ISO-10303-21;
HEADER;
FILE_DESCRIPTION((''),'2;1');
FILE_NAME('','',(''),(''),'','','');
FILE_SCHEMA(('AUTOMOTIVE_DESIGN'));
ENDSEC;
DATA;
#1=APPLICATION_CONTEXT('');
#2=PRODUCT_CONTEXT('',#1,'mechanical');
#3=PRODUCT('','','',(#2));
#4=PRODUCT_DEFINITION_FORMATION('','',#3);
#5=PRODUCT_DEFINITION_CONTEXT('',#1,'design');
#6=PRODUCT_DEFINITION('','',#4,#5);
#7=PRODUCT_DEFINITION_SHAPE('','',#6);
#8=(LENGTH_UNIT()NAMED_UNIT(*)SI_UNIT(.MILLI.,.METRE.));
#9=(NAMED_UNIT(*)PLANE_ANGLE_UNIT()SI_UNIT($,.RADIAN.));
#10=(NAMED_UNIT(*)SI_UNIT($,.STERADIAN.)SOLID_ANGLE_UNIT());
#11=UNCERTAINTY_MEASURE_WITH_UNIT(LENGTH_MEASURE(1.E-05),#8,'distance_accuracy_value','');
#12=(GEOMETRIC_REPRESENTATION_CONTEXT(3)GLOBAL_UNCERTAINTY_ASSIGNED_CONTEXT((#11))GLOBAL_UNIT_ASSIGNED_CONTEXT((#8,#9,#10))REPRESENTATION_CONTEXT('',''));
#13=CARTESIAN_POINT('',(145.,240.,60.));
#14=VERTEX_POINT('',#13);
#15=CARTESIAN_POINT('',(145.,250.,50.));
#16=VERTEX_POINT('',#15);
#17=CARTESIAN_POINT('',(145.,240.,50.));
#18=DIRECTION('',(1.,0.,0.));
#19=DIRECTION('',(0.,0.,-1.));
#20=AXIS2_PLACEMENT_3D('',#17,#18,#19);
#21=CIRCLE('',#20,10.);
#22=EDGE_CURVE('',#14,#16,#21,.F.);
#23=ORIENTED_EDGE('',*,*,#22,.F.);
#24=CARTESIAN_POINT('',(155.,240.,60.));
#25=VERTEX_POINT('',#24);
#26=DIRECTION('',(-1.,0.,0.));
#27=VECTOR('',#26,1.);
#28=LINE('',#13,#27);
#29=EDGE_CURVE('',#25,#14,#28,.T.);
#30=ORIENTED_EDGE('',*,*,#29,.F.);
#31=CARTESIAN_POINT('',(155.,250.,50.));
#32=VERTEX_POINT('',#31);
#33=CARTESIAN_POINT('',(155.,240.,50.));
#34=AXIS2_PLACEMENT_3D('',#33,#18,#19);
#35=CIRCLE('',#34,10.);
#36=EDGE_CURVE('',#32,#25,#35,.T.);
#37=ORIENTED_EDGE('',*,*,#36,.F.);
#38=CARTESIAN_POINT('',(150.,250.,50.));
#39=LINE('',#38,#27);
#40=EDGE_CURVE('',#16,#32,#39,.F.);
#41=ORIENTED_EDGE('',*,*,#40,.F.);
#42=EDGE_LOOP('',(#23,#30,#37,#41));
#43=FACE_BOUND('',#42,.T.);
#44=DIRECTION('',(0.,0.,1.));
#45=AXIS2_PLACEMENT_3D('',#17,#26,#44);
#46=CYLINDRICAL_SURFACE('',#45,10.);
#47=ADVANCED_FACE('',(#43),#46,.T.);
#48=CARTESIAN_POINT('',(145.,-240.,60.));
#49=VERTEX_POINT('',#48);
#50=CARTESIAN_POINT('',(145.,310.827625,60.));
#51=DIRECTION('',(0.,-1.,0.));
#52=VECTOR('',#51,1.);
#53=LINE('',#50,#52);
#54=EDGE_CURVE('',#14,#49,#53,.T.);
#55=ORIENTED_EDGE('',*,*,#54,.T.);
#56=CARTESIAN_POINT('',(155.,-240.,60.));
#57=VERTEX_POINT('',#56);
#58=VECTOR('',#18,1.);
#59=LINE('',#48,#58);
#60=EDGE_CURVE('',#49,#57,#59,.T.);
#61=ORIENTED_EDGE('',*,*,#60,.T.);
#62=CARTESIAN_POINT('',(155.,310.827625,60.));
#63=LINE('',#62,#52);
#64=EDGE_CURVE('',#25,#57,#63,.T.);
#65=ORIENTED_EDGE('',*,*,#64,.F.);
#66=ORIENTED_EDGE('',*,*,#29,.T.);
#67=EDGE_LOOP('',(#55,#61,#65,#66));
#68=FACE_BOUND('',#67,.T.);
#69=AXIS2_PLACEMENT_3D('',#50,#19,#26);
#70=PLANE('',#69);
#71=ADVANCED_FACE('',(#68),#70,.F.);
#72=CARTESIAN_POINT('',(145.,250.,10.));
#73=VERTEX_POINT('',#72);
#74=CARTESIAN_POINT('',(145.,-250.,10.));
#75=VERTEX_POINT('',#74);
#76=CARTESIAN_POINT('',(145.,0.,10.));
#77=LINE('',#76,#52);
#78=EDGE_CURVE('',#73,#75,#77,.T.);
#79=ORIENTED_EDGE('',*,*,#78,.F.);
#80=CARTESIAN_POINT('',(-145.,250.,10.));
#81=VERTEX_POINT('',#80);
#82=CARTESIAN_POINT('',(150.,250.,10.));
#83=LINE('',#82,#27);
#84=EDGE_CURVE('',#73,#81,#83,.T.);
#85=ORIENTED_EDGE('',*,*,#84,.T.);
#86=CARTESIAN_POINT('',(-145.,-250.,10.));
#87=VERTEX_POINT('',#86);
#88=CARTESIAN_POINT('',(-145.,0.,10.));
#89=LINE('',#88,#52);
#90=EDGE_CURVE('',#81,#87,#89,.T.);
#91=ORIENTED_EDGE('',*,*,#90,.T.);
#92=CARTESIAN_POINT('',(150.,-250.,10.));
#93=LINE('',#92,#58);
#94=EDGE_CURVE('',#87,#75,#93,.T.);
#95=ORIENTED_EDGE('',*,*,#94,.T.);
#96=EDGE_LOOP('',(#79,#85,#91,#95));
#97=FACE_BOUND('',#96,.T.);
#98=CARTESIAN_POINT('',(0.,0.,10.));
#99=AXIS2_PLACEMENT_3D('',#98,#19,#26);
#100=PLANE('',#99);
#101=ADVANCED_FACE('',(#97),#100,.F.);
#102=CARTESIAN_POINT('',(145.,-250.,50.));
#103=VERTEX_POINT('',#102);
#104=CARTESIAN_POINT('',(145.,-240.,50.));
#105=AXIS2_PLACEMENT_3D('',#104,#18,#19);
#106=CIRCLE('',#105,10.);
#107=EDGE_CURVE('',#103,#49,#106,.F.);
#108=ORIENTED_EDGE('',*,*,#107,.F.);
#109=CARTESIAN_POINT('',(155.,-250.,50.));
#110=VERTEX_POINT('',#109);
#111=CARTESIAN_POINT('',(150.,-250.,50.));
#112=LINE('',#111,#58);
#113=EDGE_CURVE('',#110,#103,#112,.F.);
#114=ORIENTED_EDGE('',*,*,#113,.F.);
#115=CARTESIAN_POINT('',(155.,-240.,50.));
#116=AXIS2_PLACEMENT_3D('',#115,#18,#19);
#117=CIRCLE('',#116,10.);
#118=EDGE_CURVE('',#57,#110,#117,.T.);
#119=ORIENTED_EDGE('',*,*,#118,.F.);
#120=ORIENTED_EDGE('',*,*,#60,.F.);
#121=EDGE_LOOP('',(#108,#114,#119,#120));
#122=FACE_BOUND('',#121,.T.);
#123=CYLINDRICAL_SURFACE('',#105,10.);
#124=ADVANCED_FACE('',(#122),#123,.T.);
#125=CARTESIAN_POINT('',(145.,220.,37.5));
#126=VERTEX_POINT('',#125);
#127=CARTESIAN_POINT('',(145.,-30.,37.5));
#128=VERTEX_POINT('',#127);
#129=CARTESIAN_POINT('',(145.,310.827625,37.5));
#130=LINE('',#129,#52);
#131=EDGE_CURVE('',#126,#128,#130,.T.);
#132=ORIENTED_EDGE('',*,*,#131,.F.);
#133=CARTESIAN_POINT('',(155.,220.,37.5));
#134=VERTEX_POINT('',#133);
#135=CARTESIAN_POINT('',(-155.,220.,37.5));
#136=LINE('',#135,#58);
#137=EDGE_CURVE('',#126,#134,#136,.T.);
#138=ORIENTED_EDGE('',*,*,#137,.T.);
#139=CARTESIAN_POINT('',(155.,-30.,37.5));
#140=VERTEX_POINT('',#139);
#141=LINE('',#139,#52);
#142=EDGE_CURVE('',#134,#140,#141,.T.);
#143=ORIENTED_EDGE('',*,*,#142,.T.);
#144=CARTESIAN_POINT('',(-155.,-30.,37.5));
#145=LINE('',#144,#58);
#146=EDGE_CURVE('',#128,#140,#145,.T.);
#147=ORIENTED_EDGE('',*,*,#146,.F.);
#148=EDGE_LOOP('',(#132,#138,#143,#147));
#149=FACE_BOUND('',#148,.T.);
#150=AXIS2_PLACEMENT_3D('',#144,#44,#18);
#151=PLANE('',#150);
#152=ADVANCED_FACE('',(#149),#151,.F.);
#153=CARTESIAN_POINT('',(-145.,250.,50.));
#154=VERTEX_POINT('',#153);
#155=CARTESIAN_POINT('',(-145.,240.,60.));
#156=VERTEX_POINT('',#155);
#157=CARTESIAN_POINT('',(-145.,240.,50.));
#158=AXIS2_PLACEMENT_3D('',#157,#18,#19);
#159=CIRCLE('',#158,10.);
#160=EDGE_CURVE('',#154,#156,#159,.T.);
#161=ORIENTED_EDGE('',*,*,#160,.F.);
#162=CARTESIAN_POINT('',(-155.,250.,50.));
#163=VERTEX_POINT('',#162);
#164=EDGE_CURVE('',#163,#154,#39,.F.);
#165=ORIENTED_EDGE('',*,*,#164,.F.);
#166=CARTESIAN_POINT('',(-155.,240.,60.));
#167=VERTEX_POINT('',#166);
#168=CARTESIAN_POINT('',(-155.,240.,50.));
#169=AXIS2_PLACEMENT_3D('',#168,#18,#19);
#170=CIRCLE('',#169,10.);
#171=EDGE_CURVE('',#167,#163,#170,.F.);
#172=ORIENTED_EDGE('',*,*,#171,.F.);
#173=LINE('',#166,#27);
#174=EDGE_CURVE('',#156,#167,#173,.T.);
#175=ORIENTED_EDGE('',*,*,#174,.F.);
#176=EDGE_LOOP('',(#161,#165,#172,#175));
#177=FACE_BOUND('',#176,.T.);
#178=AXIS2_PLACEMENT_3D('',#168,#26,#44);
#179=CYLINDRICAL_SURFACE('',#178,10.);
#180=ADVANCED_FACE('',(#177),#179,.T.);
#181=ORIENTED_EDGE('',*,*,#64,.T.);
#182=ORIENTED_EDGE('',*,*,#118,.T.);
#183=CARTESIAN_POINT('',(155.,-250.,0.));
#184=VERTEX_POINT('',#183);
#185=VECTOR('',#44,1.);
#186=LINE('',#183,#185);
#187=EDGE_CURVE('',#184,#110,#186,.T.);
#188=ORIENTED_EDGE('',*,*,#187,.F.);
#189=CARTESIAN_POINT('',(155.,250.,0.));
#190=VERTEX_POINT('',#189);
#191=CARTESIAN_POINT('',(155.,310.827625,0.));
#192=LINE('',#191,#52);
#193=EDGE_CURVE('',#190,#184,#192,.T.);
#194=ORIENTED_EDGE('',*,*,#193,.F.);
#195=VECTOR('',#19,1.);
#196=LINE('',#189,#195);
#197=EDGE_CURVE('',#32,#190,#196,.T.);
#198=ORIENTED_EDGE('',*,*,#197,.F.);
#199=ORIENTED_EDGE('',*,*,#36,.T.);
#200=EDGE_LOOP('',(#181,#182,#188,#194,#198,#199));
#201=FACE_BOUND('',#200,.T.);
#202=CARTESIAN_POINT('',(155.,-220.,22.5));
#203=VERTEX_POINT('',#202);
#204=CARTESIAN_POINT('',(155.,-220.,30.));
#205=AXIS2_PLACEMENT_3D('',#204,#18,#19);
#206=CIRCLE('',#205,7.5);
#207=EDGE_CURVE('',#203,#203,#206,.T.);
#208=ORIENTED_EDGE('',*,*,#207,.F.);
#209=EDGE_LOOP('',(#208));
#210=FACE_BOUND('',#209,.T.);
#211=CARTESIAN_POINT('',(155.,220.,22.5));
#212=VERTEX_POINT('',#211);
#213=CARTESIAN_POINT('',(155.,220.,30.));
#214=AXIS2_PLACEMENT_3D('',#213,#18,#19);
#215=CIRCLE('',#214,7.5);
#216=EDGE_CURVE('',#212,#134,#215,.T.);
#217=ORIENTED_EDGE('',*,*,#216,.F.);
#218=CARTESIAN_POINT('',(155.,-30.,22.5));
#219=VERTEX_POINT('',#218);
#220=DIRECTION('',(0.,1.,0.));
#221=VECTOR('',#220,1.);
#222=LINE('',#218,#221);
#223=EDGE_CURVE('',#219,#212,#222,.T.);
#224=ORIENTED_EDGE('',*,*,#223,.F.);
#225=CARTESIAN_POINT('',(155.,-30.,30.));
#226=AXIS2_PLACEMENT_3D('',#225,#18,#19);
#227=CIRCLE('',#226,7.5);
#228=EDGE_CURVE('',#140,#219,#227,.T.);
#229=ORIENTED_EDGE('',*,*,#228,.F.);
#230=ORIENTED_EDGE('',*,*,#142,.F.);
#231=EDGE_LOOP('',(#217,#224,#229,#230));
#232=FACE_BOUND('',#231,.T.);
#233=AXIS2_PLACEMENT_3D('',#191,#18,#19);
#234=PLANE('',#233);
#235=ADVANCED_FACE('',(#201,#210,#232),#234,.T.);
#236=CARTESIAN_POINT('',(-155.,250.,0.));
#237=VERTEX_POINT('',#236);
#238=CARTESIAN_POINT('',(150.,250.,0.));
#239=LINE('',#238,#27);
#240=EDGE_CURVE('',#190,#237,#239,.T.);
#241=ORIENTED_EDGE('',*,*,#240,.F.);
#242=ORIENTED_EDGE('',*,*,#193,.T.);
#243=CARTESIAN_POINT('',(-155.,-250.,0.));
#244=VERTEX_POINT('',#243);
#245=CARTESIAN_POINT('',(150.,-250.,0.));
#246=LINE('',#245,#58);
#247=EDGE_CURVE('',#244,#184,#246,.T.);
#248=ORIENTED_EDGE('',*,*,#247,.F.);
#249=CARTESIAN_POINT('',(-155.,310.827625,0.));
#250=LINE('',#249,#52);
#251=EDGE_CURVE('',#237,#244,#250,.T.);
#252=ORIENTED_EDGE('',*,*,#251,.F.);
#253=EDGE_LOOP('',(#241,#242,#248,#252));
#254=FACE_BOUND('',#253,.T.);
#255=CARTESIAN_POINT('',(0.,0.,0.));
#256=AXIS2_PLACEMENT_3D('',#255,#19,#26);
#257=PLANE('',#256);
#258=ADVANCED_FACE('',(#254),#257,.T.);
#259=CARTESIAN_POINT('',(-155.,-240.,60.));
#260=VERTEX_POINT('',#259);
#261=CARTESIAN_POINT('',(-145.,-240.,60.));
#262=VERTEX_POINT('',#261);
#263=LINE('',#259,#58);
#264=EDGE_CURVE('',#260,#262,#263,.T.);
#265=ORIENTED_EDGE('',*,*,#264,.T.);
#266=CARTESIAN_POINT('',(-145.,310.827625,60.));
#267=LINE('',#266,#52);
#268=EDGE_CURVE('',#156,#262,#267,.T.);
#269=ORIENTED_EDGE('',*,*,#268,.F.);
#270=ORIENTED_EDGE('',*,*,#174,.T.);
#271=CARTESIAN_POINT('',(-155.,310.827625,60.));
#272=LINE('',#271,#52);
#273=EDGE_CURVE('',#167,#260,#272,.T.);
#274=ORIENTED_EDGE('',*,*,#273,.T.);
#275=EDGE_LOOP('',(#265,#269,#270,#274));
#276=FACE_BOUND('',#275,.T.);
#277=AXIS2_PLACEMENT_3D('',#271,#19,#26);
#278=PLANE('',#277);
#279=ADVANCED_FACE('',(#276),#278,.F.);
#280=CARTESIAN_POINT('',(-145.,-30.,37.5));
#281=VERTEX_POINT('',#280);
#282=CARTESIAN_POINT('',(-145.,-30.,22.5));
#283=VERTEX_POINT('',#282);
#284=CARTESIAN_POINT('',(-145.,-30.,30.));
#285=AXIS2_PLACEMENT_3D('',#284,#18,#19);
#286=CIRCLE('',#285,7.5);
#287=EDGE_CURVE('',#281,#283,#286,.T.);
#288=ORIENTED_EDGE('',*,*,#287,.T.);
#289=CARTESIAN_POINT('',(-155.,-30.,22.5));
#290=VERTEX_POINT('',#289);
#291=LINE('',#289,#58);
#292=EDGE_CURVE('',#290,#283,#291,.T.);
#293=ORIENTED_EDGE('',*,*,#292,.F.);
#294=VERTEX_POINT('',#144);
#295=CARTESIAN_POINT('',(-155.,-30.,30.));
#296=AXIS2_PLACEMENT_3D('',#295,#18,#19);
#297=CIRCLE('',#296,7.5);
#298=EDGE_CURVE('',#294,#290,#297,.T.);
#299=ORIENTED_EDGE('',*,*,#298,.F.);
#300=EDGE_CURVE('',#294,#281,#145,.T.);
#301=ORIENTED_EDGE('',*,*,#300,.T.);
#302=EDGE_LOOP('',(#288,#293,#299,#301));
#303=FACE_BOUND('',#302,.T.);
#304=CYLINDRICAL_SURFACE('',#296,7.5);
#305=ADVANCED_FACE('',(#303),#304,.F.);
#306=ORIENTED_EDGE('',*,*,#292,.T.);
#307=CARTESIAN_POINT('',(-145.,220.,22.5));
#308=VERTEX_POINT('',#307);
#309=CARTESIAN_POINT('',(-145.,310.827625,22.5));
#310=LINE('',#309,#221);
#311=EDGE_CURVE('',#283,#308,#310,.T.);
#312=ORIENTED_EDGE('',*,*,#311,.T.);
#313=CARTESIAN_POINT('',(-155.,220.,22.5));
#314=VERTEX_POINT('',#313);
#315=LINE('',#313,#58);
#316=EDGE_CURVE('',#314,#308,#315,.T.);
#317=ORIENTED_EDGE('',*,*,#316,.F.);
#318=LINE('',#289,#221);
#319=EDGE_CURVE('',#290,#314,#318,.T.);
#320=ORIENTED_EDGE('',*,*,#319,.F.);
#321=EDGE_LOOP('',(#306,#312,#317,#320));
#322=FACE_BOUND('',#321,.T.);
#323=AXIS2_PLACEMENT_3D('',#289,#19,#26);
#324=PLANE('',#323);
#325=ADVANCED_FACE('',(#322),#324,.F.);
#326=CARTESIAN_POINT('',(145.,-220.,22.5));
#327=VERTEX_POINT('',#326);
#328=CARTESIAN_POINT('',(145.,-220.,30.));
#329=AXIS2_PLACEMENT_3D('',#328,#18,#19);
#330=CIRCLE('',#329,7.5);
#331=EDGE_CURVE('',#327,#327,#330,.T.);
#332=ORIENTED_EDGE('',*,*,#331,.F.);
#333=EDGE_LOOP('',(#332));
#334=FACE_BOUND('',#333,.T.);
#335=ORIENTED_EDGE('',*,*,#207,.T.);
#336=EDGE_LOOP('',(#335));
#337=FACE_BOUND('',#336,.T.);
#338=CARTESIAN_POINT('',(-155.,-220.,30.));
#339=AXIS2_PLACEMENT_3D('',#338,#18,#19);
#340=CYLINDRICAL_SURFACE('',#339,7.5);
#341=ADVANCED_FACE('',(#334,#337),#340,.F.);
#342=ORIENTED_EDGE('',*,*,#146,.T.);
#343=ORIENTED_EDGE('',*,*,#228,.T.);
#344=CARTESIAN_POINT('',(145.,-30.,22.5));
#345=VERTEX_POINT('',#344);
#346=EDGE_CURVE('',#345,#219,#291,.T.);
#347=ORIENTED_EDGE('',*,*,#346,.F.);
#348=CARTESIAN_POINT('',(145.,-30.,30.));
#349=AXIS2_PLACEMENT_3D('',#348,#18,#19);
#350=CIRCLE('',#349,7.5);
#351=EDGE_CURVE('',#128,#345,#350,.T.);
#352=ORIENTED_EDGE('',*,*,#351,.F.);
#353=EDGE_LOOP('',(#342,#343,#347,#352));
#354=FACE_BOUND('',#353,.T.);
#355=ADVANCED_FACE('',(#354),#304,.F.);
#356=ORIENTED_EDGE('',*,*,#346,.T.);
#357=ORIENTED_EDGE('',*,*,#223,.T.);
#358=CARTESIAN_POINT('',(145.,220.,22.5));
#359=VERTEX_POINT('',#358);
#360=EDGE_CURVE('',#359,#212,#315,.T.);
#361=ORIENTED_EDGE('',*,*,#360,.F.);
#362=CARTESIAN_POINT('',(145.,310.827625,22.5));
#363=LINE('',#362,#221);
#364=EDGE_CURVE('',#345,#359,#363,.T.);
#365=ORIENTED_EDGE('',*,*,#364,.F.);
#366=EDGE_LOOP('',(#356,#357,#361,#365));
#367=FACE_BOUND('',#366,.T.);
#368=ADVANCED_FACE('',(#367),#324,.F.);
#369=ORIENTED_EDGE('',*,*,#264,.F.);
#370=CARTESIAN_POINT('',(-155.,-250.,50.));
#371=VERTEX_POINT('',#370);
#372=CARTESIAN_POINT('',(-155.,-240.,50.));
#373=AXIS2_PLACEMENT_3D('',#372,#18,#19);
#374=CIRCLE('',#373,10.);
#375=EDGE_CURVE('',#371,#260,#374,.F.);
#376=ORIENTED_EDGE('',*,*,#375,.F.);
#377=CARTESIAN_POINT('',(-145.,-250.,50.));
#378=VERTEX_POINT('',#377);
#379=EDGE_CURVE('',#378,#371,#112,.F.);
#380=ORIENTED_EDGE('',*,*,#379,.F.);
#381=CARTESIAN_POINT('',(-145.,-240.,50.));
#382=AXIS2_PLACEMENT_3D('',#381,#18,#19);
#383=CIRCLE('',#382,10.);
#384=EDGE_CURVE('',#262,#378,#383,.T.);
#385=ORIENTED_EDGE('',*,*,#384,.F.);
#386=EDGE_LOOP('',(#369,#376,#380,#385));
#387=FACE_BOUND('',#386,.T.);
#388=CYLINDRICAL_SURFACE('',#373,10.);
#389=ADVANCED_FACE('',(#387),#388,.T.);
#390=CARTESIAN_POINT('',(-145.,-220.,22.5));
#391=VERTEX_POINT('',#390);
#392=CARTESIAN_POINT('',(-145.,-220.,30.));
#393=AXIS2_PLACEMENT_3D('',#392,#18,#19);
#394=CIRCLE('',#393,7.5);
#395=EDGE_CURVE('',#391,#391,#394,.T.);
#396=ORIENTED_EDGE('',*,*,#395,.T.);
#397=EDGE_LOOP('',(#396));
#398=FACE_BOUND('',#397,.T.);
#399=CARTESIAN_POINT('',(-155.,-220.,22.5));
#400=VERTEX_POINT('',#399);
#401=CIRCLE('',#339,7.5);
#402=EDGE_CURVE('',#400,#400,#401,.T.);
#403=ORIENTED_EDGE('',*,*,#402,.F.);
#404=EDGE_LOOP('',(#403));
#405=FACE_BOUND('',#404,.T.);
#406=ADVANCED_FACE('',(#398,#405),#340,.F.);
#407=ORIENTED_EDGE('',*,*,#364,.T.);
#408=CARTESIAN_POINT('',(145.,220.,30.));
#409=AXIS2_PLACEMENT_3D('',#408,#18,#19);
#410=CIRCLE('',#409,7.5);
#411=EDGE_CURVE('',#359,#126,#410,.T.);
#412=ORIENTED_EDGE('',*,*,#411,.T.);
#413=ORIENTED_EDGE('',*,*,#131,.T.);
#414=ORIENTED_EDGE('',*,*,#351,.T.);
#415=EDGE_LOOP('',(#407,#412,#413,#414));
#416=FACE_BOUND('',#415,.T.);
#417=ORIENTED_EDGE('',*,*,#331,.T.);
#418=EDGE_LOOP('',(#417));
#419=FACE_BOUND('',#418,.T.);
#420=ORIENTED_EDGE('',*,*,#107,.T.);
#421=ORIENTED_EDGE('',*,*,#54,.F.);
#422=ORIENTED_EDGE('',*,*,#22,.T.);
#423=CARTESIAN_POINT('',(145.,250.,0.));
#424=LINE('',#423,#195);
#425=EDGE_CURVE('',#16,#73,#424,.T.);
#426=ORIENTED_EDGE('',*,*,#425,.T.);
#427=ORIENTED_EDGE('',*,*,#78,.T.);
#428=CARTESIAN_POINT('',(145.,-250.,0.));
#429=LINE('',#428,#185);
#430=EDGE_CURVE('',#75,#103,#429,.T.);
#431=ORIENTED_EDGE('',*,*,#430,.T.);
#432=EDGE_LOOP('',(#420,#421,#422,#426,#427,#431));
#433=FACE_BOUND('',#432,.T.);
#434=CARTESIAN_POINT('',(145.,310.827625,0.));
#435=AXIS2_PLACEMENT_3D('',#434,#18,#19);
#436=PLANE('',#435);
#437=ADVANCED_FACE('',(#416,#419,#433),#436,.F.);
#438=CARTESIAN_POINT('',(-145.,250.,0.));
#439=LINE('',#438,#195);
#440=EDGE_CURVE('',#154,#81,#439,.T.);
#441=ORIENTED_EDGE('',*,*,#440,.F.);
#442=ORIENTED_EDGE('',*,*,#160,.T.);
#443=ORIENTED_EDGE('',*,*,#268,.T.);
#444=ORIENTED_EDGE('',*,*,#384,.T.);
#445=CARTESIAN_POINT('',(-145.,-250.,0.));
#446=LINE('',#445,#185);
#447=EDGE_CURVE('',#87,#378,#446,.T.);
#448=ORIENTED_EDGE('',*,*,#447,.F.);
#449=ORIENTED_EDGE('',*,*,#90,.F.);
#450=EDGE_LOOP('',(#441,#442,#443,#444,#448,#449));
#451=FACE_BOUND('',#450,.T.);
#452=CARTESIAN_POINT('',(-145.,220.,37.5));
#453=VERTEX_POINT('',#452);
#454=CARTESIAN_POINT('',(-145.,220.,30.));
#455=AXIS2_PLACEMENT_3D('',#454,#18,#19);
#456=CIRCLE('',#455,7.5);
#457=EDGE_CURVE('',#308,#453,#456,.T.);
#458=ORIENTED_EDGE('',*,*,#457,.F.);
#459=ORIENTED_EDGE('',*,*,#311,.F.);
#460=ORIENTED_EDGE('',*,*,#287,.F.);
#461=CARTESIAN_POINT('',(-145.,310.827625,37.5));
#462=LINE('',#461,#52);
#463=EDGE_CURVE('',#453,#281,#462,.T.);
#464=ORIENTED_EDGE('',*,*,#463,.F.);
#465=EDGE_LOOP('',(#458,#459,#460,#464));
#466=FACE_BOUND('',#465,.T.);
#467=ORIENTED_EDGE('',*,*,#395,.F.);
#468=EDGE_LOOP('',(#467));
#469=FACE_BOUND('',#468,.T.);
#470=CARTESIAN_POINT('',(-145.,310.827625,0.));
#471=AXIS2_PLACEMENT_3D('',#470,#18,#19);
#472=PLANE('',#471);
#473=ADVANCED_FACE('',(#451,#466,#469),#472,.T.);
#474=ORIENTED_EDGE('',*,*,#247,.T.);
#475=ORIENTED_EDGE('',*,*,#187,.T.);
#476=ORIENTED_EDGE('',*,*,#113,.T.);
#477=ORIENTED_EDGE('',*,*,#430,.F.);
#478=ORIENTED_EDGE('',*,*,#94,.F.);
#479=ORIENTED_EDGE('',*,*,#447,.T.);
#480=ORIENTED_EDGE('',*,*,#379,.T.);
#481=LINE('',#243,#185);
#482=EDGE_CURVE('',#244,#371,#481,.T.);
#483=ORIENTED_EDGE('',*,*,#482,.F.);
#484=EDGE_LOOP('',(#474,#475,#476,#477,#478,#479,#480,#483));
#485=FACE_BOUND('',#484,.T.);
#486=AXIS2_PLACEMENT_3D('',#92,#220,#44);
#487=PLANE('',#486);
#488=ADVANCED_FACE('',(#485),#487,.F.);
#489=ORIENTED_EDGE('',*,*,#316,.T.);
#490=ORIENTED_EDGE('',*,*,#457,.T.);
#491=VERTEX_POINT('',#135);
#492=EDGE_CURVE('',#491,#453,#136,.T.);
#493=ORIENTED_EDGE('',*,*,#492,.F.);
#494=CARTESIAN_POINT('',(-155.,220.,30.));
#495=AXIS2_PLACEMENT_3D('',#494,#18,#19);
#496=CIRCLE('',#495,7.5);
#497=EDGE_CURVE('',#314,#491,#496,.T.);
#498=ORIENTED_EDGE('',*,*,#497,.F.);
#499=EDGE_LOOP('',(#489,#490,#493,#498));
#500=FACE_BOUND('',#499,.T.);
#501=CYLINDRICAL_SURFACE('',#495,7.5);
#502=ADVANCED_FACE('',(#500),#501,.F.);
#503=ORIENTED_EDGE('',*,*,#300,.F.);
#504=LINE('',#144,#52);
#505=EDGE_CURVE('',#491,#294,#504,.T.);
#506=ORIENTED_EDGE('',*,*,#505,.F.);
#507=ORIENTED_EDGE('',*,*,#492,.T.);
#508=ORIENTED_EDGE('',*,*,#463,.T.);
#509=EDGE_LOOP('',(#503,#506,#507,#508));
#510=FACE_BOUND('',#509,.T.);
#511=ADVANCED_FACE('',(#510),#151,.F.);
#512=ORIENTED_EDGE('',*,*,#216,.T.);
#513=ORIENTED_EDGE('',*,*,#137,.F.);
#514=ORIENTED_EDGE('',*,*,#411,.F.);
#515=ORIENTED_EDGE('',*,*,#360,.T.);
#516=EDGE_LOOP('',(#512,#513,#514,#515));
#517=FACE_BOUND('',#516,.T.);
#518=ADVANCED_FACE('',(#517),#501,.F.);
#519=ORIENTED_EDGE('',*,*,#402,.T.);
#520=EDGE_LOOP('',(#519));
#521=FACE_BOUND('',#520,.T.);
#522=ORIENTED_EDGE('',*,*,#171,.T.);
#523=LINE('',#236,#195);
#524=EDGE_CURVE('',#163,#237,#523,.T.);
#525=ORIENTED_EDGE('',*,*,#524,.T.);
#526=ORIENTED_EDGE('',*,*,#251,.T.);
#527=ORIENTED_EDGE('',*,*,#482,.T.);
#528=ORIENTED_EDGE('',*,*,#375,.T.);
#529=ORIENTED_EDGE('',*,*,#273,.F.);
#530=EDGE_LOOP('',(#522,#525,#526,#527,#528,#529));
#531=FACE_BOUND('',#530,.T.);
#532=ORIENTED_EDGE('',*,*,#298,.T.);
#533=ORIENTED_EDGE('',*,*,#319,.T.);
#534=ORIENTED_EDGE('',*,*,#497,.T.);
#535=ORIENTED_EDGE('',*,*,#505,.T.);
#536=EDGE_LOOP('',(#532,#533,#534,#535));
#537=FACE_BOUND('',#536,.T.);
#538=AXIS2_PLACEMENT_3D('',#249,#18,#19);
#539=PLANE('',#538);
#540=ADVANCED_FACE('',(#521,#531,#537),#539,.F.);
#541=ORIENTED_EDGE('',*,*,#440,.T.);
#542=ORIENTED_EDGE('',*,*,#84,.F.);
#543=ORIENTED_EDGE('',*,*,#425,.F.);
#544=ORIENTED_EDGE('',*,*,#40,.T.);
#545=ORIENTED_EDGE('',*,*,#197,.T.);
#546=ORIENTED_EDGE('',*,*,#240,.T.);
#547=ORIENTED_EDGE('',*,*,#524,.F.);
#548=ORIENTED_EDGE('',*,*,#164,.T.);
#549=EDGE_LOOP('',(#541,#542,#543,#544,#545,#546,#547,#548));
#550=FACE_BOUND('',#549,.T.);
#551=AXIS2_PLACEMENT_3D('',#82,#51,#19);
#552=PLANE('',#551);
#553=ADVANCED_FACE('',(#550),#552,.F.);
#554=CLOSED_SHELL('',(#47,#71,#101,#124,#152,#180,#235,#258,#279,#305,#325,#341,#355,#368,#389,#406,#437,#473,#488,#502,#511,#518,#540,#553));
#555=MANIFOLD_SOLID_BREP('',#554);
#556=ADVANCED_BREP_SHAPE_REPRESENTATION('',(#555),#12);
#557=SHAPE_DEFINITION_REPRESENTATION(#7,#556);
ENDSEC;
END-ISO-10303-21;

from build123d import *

# Parameters (mm, degrees)
SKETCH1_W           = 500
SKETCH1_H           = 300
BOSS_EXTRUDE1_DEPTH = 10
SKETCH2_W           = 10
SKETCH2_H           = 60
EXTRUDE_THIN1_DEPTH = 500
SKETCH3_R           = 7.5
CUT_EXTRUDE1_DEPTH  = 403.740611312
FILLET1_R           = 10


with BuildPart() as part:
    # Sketch1 → Boss-Extrude1 (new body)
    with BuildSketch(Plane(origin=(0, 0, 0), x_dir=(0, 1, 0), z_dir=(0, 0, 1))):
        Rectangle(SKETCH1_W, SKETCH1_H)
    extrude(amount=BOSS_EXTRUDE1_DEPTH)

    # Sketch2 → Extrude-Thin1 (add)
    with BuildSketch(Plane.XZ.offset(250)):
        with Locations((-150, 30)):
            Rectangle(SKETCH2_W, SKETCH2_H)
        with Locations((150, 30)):
            Rectangle(SKETCH2_W, SKETCH2_H)
    extrude(amount=-EXTRUDE_THIN1_DEPTH)

    # Sketch3 → Cut-Extrude1 (cut, through all)
    with BuildSketch(Plane.YZ.offset(155)):
        with Locations(Location((-220, 30, 0), (0, 0, 270))):
            Circle(SKETCH3_R)
        with BuildLine():
            Line((-30, 37.5), (220, 37.5))
            ThreePointArc((220, 37.5), (227.5, 30), (220, 22.5))
            Line((220, 22.5), (-30, 22.5))
            ThreePointArc((-30, 22.5), (-37.5, 30), (-30, 37.5))
        make_face()
    extrude(amount=-CUT_EXTRUDE1_DEPTH, mode=Mode.SUBTRACT)

    # Fillet1
    fillet1_edges = [part.edges().sort_by_distance(p)[0] for p in [
        (-150, 250, 60),
        (-150, -250, 60),
        (150, 250, 60),
        (150, -250, 60),
    ]]
    fillet(fillet1_edges, radius=FILLET1_R)


solid = part.part
